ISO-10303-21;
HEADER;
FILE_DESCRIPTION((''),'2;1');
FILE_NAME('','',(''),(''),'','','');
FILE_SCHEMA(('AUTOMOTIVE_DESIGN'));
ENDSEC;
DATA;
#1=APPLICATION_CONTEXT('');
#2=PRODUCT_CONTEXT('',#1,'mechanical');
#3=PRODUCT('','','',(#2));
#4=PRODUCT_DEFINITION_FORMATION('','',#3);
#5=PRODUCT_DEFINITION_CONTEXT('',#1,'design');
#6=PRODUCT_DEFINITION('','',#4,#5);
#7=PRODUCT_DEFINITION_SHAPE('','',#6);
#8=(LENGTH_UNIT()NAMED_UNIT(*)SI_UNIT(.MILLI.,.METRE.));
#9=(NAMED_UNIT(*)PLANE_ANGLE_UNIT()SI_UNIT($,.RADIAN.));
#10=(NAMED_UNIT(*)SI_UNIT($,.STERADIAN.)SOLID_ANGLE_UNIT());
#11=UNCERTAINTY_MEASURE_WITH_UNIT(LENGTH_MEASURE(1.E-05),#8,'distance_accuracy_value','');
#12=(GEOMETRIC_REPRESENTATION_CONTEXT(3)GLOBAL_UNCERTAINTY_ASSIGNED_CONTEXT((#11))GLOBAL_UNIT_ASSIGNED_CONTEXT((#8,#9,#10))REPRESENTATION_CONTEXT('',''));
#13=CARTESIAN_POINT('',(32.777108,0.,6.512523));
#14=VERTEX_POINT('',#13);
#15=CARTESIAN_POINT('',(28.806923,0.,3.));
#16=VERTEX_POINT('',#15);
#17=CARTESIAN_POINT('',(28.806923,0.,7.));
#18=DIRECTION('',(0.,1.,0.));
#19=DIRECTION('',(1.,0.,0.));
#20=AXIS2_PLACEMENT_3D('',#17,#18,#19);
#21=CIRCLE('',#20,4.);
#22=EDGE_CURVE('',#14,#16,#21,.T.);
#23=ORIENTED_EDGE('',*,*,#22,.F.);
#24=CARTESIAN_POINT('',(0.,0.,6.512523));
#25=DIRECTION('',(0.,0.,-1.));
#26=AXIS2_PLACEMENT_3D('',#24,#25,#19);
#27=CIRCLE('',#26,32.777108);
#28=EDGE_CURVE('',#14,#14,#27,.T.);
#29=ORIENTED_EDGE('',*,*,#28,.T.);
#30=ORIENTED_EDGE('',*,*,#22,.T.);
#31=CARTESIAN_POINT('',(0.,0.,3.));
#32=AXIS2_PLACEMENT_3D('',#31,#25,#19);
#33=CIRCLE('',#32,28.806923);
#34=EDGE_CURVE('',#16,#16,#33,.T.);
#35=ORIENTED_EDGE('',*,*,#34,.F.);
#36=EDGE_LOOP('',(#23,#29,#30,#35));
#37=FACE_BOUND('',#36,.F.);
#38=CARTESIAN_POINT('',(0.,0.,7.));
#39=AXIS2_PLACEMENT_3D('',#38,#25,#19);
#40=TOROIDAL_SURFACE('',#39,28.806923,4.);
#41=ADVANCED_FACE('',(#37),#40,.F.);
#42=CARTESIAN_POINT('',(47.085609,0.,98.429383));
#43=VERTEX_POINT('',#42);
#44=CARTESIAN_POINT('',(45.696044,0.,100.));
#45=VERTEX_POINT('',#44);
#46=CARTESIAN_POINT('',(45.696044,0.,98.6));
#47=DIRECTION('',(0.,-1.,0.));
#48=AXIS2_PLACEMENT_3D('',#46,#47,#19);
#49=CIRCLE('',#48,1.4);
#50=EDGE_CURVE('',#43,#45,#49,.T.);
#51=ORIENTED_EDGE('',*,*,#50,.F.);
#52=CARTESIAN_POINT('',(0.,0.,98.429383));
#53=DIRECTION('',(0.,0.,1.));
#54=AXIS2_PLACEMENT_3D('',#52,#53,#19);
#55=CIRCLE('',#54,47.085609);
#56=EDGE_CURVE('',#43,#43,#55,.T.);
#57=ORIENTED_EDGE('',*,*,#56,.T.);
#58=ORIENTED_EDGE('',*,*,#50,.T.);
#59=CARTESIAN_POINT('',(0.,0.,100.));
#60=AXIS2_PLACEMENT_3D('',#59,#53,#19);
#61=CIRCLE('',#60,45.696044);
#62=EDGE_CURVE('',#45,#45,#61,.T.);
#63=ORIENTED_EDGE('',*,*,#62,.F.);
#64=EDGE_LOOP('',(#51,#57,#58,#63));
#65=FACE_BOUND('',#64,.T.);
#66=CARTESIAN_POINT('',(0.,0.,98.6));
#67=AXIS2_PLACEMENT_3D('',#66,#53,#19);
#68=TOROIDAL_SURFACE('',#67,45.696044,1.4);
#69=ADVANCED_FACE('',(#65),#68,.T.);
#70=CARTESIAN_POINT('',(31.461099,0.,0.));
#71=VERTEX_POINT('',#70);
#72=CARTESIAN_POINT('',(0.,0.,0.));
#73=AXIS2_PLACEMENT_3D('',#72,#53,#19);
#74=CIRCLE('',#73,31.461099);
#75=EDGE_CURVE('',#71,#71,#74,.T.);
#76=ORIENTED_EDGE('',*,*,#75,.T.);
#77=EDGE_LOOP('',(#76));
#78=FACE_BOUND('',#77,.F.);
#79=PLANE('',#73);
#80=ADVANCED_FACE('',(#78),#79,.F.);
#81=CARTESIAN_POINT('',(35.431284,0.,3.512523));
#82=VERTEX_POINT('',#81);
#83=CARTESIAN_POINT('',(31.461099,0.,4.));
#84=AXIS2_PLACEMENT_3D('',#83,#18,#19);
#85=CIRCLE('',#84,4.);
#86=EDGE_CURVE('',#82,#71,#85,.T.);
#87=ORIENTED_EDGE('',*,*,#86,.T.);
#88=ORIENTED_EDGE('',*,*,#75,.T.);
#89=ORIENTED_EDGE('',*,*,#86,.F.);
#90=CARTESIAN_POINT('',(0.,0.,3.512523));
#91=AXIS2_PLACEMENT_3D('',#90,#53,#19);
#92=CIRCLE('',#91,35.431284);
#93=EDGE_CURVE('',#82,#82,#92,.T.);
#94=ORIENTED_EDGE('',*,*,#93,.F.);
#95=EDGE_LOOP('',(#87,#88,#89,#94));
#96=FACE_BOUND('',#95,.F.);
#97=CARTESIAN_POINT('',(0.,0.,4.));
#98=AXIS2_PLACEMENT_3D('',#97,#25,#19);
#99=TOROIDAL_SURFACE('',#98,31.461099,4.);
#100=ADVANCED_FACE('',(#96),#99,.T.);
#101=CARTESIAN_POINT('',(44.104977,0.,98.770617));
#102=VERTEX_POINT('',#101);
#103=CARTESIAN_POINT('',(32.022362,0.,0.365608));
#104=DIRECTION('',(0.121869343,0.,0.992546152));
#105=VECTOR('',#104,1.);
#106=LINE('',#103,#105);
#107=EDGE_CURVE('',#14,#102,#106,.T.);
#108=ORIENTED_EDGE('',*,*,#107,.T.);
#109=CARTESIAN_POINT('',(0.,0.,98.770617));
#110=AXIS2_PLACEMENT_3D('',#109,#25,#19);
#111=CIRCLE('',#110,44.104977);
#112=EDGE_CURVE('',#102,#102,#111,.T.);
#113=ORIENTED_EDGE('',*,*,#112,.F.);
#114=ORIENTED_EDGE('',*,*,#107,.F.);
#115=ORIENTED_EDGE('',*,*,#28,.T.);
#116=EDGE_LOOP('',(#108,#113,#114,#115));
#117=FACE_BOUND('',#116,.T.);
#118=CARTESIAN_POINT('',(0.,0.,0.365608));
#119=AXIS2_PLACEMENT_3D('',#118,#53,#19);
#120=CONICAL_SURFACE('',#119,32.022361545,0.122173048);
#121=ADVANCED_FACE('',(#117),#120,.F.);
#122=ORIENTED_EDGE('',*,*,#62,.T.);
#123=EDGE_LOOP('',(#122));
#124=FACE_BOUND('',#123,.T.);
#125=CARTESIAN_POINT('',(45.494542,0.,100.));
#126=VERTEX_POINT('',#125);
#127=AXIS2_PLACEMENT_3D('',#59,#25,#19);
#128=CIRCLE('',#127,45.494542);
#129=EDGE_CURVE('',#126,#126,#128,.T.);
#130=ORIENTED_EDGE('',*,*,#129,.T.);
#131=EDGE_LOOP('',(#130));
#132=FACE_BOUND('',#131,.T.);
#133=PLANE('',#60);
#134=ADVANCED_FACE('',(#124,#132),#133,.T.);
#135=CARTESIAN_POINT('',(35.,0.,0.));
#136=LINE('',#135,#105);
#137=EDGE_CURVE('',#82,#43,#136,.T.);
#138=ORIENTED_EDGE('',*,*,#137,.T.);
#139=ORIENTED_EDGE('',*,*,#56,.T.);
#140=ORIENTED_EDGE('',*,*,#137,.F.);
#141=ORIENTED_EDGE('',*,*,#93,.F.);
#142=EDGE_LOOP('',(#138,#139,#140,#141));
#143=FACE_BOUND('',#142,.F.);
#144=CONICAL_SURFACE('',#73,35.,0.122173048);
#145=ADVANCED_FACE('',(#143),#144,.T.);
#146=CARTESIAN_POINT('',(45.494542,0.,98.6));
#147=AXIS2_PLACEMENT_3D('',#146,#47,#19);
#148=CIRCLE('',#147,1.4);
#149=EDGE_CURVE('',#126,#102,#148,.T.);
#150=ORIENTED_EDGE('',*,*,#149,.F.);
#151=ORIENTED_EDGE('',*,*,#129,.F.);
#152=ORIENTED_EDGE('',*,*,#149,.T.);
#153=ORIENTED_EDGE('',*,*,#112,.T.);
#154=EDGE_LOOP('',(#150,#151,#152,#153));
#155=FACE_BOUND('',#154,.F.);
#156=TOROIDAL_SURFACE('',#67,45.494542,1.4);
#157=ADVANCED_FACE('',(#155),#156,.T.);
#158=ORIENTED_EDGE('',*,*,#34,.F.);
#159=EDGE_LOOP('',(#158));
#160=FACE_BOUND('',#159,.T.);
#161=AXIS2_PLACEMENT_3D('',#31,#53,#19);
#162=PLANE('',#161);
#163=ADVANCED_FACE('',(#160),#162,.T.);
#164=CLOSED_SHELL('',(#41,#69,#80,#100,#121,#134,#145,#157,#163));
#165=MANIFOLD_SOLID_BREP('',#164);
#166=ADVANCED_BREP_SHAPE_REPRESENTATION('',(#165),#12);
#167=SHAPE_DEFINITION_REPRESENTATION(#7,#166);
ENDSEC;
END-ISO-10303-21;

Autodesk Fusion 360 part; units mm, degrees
sketch "스케치1" plane through (0, 0, 0) normal (0, 0, 1) x (1, 0, 0)
  circle A0 centre (0, 0) radius 35
  dimension "d1" = 70
extrude "돌출1" add sketch "스케치1" along normal blind 100 draft 7
shell "쉘1" thickness 3 removed faces 1 at (-15.5835, -2.3488, 100)
fillet "필렛1" radius 1.4 2 edges at (-44.079, 17.0966, 100) (-41.261, 16.0036, 100)
fillet "필렛2" radius 4 2 edges at (-32.6315, -12.6565, 0) (-30.1569, -11.6967, 3)
